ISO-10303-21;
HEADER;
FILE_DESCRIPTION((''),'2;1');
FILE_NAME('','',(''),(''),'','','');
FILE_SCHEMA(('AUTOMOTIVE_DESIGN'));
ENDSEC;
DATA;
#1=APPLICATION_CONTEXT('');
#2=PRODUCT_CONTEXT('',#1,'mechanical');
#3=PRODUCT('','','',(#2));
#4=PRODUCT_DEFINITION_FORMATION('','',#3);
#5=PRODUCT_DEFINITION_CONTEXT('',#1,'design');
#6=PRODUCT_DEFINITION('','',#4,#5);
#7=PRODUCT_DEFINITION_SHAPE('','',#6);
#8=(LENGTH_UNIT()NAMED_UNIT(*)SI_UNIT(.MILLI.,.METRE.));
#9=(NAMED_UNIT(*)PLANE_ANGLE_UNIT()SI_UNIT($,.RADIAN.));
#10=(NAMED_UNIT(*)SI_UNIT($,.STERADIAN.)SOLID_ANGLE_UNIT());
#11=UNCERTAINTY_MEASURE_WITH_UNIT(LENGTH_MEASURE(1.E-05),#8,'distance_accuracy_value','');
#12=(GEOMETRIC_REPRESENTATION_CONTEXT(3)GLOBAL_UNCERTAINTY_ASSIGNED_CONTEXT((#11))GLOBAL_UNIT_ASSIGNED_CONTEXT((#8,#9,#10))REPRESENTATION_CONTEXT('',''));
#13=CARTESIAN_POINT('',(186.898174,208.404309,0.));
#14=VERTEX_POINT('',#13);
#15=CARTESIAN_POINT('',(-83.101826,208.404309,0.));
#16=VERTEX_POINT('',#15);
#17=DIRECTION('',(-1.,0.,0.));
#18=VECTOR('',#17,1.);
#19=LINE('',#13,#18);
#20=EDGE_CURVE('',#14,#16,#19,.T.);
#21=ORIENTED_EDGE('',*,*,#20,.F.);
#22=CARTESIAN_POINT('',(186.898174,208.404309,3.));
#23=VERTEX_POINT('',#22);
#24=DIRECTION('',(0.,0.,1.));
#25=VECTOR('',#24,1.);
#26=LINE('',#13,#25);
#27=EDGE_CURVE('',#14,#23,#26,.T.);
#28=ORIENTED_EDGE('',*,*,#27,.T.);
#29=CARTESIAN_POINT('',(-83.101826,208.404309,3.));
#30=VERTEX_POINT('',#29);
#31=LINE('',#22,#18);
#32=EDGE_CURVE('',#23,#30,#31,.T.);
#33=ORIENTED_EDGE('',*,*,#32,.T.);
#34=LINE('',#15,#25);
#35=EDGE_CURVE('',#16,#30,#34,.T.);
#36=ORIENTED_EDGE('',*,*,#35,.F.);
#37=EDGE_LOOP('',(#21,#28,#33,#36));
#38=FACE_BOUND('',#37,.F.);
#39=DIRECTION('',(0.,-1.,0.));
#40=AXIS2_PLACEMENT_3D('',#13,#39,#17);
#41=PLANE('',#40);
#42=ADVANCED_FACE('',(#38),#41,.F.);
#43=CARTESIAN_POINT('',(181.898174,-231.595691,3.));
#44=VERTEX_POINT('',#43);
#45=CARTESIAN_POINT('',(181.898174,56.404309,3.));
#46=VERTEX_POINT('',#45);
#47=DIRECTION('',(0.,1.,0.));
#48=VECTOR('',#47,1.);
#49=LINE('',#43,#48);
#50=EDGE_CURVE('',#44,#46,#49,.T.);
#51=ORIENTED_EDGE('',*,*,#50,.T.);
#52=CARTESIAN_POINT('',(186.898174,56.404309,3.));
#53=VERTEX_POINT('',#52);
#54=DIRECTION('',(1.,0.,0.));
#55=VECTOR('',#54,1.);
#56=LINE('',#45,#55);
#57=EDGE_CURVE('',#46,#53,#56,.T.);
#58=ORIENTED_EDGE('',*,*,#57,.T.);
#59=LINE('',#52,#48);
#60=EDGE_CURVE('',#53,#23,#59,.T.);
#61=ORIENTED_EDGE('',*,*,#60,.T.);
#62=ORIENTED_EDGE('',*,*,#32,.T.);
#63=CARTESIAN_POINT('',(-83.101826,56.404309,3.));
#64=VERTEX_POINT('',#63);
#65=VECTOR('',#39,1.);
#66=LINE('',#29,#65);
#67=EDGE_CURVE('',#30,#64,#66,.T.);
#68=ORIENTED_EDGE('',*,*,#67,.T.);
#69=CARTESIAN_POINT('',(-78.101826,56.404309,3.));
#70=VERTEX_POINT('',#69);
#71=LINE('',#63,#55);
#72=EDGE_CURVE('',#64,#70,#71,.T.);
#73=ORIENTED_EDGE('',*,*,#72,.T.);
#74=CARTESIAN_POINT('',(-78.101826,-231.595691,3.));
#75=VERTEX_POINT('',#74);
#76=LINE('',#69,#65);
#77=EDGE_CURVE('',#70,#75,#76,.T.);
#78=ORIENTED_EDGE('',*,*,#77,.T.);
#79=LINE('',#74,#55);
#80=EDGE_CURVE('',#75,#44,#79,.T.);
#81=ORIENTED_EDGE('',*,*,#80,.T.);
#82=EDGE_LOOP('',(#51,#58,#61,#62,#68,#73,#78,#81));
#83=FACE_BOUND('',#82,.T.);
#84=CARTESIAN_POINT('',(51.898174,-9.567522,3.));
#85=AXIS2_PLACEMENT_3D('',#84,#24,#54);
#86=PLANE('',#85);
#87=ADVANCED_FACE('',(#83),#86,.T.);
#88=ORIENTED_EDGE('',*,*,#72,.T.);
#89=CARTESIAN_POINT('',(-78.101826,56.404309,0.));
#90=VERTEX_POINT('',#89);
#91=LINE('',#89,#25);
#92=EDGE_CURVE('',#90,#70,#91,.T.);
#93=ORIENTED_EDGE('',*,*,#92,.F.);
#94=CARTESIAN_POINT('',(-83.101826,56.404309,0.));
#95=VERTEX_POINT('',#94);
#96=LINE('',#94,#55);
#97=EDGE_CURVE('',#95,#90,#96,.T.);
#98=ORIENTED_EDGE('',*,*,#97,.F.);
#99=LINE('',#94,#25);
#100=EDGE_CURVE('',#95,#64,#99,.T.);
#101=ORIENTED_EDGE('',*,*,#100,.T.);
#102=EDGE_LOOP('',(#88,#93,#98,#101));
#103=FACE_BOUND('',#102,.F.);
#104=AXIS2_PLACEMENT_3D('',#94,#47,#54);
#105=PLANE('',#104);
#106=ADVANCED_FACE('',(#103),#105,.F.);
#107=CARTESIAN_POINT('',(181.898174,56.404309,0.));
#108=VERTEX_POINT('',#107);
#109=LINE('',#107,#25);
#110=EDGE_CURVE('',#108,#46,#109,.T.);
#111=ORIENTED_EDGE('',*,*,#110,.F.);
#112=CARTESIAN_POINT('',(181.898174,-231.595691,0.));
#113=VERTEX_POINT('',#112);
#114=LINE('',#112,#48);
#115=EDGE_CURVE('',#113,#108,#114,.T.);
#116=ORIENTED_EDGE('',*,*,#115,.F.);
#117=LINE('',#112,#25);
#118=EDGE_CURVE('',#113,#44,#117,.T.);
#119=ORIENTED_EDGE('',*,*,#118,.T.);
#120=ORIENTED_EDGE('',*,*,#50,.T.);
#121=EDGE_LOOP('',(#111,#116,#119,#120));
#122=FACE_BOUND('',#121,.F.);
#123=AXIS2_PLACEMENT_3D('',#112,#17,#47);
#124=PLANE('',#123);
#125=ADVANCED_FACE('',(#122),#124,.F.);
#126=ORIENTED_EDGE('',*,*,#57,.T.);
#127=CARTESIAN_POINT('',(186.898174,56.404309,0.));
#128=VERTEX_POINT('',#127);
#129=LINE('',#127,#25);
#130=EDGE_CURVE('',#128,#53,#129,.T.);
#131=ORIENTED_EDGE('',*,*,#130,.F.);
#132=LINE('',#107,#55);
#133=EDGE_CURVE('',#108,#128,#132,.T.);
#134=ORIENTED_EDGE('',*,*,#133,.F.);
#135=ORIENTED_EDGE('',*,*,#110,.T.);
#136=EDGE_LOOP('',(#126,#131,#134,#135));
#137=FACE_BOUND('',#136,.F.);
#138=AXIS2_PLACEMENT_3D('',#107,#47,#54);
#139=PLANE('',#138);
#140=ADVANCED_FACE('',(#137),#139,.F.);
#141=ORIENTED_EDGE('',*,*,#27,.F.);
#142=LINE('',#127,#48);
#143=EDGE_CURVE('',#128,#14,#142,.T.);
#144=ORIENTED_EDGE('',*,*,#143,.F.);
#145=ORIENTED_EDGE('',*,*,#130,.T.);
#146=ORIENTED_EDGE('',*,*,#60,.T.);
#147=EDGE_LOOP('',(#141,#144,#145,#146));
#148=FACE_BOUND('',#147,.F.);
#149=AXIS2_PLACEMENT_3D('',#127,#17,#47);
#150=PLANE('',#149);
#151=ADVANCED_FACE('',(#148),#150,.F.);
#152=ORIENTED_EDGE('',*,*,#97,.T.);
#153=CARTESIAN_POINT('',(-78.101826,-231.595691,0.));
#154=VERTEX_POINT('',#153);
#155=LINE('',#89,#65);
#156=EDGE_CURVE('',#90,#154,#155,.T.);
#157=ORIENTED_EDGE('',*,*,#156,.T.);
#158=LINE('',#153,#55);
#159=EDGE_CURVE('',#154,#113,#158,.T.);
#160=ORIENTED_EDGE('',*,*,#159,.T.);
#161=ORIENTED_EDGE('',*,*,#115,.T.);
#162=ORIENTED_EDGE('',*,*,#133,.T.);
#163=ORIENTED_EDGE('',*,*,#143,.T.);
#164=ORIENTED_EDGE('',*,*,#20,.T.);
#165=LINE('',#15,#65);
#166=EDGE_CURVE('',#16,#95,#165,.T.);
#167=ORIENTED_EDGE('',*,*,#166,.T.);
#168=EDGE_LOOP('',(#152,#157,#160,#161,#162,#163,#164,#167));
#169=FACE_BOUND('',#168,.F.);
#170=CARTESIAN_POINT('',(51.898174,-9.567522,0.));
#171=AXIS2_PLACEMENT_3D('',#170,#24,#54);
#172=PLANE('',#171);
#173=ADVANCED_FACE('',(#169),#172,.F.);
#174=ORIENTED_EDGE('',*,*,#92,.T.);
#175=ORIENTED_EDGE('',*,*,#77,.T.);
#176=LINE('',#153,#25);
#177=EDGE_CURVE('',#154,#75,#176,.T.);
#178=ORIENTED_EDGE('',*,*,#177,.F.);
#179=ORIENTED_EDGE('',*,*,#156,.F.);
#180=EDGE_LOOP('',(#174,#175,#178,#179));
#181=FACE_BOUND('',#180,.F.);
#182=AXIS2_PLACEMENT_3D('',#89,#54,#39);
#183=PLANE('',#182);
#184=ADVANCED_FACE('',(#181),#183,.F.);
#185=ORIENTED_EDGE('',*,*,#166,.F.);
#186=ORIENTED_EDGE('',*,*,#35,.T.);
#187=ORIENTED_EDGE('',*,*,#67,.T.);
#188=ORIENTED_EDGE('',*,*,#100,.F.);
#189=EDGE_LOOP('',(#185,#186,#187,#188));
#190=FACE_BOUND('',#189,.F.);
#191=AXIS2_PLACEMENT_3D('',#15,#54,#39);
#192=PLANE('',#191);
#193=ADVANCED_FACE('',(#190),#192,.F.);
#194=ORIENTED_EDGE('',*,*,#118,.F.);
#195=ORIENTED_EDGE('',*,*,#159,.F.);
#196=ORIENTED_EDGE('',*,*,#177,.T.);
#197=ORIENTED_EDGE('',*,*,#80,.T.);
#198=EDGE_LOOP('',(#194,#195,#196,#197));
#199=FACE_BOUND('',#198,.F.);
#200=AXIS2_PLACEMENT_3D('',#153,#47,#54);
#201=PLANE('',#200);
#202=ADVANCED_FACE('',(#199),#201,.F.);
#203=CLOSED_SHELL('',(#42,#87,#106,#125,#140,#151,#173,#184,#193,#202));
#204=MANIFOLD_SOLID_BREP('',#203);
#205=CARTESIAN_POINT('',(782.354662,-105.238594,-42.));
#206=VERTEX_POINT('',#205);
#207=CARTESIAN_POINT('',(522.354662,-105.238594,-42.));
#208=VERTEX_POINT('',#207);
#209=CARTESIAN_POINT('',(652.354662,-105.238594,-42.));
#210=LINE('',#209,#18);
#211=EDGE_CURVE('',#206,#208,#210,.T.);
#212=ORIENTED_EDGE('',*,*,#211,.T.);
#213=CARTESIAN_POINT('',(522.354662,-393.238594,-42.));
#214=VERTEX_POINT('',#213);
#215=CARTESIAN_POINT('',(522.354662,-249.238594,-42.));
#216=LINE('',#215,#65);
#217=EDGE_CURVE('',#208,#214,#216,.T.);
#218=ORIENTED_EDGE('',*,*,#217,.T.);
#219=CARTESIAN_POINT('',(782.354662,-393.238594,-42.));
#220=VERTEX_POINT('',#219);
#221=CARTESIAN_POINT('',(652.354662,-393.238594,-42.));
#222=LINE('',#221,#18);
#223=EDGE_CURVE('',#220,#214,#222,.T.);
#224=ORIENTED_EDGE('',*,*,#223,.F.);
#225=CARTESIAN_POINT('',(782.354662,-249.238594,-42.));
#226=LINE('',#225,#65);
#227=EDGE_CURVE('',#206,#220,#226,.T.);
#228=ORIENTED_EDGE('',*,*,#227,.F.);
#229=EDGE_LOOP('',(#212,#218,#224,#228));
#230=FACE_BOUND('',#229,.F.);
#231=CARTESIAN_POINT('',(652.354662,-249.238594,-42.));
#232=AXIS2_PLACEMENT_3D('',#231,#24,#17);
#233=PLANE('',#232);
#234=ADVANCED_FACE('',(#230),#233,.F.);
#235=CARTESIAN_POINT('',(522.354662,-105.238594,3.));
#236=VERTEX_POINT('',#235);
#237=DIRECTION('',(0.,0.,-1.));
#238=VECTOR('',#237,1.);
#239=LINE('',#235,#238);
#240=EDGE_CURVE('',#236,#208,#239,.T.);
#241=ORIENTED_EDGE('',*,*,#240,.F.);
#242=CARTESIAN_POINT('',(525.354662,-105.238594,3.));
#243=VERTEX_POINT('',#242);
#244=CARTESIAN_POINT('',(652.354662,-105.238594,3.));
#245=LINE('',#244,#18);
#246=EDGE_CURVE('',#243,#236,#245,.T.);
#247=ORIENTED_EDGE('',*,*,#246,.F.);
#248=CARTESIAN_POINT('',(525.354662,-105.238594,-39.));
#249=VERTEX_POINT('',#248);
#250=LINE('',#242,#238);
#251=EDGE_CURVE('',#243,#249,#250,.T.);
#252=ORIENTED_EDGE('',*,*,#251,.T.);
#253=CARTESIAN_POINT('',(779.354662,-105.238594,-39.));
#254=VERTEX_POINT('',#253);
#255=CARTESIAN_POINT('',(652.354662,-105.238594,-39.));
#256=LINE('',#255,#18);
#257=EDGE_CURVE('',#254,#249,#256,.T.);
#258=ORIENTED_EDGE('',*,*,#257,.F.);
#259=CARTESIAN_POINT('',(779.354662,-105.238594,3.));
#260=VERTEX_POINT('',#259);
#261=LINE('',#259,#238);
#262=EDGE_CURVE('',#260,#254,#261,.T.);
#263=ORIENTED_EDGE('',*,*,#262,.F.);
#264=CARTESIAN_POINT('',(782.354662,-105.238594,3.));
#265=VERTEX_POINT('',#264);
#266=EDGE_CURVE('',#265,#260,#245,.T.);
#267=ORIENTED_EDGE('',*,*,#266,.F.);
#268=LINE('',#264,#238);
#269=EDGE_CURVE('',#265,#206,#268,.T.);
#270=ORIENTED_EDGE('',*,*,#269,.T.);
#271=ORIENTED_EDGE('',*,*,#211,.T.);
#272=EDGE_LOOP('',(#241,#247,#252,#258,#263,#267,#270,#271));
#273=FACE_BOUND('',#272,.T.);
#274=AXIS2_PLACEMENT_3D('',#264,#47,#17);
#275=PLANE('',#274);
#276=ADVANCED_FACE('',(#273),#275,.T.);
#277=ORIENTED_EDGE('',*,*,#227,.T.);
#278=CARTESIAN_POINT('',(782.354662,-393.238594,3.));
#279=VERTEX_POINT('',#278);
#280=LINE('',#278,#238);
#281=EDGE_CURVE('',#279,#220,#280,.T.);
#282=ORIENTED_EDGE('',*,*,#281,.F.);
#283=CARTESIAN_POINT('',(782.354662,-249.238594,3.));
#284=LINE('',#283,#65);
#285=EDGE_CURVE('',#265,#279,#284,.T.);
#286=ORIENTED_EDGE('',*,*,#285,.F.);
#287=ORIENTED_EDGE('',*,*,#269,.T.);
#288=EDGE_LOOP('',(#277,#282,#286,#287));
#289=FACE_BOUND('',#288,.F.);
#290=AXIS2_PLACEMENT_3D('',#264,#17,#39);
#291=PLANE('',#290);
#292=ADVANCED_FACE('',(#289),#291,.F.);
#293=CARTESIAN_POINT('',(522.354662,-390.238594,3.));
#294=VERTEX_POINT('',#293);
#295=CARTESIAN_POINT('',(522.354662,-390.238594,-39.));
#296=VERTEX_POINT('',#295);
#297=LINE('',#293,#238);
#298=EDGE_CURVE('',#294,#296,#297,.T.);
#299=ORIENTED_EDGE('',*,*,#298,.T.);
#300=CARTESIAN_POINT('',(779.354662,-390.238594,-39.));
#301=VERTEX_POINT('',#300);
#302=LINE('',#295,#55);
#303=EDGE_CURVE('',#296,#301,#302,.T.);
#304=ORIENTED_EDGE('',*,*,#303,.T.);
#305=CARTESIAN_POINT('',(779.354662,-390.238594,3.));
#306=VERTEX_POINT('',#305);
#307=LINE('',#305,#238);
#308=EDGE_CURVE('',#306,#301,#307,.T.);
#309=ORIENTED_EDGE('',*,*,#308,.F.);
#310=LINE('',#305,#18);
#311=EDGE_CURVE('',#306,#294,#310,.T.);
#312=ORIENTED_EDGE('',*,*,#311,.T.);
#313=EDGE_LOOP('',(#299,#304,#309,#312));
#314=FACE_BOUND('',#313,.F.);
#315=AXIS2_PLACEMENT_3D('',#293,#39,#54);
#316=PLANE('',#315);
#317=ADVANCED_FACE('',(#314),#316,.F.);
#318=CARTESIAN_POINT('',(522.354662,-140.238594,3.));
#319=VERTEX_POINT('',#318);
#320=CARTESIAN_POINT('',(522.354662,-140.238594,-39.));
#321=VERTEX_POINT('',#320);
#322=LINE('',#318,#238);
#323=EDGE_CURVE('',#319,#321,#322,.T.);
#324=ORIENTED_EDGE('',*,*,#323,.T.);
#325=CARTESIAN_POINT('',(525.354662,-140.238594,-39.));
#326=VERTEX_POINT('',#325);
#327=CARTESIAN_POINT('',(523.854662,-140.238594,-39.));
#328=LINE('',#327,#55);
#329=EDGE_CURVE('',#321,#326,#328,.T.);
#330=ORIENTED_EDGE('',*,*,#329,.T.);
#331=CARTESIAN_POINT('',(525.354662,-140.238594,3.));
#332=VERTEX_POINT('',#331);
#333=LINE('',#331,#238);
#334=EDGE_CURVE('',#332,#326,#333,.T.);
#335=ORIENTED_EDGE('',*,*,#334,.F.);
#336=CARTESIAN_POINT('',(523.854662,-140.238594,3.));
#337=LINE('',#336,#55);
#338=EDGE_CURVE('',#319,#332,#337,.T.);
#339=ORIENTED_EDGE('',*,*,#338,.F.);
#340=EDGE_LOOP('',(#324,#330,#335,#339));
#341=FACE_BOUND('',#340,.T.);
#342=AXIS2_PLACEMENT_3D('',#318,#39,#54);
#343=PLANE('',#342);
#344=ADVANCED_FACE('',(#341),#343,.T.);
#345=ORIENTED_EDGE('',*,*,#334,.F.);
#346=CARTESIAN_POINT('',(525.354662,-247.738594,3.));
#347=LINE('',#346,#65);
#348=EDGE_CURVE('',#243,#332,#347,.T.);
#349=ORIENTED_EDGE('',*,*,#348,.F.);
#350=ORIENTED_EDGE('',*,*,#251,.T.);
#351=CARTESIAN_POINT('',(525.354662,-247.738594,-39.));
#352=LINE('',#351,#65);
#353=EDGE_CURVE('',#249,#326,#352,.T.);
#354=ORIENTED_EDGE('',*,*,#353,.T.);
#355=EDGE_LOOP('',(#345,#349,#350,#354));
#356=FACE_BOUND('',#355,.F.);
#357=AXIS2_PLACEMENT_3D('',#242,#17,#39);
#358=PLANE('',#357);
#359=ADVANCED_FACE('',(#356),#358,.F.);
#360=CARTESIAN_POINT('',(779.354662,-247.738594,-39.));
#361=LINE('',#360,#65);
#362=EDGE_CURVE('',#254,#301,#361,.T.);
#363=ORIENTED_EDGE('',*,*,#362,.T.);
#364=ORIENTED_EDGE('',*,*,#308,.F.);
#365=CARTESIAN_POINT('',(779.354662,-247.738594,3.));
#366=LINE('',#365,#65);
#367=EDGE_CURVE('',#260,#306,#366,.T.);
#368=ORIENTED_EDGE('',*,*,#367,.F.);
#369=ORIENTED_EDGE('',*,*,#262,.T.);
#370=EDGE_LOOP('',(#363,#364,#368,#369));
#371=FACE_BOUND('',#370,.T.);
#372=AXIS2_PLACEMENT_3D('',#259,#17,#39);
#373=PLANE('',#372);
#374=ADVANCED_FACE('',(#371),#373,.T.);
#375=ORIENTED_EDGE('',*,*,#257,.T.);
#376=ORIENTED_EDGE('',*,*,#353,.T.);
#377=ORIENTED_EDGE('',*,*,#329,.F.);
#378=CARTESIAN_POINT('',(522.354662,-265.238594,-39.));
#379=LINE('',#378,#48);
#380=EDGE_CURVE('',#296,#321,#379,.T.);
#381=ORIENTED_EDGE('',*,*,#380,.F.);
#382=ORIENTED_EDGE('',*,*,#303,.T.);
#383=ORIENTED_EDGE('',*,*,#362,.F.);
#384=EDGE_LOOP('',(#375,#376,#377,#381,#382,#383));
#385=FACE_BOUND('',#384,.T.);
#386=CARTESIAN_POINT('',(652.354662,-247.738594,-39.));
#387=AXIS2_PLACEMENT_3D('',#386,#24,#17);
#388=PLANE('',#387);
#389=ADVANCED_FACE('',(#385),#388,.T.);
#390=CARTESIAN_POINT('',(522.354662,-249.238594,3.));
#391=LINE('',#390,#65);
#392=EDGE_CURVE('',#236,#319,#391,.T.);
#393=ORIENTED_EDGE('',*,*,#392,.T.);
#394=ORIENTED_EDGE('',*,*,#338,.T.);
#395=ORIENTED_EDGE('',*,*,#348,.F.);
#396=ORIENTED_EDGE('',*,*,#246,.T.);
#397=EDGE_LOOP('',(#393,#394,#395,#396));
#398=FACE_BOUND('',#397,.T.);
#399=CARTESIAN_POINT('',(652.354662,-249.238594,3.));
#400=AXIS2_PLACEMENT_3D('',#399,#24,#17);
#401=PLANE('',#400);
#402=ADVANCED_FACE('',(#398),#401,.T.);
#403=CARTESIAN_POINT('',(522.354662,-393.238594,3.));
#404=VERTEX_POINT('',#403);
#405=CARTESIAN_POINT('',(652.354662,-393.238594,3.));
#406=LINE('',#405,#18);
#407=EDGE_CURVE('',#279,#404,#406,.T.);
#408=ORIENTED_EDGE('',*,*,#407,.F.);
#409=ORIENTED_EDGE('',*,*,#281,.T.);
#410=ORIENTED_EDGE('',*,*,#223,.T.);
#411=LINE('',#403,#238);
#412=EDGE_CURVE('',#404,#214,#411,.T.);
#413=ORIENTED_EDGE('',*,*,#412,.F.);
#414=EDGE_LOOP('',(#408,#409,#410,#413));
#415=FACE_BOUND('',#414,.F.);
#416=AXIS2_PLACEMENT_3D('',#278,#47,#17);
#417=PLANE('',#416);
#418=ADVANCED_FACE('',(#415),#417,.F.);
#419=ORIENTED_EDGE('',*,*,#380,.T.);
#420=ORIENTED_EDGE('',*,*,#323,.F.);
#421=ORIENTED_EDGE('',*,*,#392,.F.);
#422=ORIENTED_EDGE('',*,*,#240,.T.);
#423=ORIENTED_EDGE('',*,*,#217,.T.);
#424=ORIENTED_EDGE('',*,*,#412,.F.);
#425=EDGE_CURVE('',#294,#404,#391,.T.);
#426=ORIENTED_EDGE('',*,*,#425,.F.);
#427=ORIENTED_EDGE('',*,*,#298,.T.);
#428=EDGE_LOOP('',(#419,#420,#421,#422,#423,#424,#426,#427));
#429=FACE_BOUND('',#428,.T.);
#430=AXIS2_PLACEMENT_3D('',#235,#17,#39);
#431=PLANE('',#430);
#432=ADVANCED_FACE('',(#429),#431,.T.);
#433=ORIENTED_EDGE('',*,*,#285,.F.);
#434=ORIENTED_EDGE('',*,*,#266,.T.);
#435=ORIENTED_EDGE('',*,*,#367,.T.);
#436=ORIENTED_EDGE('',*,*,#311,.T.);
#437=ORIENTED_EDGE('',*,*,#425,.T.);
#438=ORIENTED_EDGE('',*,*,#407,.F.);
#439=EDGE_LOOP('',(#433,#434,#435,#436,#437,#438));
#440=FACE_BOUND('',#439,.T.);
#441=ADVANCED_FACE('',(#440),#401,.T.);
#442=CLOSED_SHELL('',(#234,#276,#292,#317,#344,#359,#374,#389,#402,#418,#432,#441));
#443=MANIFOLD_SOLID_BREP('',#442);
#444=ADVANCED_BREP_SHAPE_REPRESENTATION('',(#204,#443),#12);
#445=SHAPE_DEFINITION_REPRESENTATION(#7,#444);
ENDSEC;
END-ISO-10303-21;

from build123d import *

# Parameters (mm, degrees)
F1_DEPTH = 3
F2_W     = 260
F2_H     = 288
F3_DEPTH = 45
F4_W     = 254
F4_H     = 285
F5_DEPTH = 42
F6_ANGLE = 180
F7_W     = 3
F7_H     = 250
F8_DEPTH = 42


with BuildPart() as f1:
    # F0 (on Top) → F1 (new body)
    with BuildSketch(Plane.XY):
        Polygon((186.898174, 208.404309), (-83.101826, 208.404309), (-83.101826, 56.404309), (-78.101826, 56.404309), (-78.101826, -231.595691), (181.898174, -231.595691), (181.898174, 56.404309), (186.898174, 56.404309), align=None)
    extrude(amount=F1_DEPTH)


with BuildPart() as f3:
    # F2 (on face) → F3 (new body)
    with BuildSketch(Plane.XY.offset(3)):
        with Locations((392.354662, 38.761406)):
            Rectangle(F2_W, F2_H)
    extrude(amount=-F3_DEPTH)

    # F4 (on face) → F5 (cut)
    with BuildSketch(Plane.XY.offset(3)):
        with Locations((392.354662, 37.261406)):
            Rectangle(F4_W, F4_H)
    extrude(amount=-F5_DEPTH, mode=Mode.SUBTRACT)


with BuildPart() as f3_1:
    # F6: moved
    add(f3.part.rotate(Axis((522.354662, -105.238594, -19.5), (0, 0, 1)), F6_ANGLE))

    # F7 (on face) → F8 (cut)
    with BuildSketch(Plane.XY.offset(3)):
        with Locations((523.854662, -265.238594)):
            Rectangle(F7_W, F7_H)
    extrude(amount=-F8_DEPTH, mode=Mode.SUBTRACT)


solid = Compound([f1.part, f3_1.part])
